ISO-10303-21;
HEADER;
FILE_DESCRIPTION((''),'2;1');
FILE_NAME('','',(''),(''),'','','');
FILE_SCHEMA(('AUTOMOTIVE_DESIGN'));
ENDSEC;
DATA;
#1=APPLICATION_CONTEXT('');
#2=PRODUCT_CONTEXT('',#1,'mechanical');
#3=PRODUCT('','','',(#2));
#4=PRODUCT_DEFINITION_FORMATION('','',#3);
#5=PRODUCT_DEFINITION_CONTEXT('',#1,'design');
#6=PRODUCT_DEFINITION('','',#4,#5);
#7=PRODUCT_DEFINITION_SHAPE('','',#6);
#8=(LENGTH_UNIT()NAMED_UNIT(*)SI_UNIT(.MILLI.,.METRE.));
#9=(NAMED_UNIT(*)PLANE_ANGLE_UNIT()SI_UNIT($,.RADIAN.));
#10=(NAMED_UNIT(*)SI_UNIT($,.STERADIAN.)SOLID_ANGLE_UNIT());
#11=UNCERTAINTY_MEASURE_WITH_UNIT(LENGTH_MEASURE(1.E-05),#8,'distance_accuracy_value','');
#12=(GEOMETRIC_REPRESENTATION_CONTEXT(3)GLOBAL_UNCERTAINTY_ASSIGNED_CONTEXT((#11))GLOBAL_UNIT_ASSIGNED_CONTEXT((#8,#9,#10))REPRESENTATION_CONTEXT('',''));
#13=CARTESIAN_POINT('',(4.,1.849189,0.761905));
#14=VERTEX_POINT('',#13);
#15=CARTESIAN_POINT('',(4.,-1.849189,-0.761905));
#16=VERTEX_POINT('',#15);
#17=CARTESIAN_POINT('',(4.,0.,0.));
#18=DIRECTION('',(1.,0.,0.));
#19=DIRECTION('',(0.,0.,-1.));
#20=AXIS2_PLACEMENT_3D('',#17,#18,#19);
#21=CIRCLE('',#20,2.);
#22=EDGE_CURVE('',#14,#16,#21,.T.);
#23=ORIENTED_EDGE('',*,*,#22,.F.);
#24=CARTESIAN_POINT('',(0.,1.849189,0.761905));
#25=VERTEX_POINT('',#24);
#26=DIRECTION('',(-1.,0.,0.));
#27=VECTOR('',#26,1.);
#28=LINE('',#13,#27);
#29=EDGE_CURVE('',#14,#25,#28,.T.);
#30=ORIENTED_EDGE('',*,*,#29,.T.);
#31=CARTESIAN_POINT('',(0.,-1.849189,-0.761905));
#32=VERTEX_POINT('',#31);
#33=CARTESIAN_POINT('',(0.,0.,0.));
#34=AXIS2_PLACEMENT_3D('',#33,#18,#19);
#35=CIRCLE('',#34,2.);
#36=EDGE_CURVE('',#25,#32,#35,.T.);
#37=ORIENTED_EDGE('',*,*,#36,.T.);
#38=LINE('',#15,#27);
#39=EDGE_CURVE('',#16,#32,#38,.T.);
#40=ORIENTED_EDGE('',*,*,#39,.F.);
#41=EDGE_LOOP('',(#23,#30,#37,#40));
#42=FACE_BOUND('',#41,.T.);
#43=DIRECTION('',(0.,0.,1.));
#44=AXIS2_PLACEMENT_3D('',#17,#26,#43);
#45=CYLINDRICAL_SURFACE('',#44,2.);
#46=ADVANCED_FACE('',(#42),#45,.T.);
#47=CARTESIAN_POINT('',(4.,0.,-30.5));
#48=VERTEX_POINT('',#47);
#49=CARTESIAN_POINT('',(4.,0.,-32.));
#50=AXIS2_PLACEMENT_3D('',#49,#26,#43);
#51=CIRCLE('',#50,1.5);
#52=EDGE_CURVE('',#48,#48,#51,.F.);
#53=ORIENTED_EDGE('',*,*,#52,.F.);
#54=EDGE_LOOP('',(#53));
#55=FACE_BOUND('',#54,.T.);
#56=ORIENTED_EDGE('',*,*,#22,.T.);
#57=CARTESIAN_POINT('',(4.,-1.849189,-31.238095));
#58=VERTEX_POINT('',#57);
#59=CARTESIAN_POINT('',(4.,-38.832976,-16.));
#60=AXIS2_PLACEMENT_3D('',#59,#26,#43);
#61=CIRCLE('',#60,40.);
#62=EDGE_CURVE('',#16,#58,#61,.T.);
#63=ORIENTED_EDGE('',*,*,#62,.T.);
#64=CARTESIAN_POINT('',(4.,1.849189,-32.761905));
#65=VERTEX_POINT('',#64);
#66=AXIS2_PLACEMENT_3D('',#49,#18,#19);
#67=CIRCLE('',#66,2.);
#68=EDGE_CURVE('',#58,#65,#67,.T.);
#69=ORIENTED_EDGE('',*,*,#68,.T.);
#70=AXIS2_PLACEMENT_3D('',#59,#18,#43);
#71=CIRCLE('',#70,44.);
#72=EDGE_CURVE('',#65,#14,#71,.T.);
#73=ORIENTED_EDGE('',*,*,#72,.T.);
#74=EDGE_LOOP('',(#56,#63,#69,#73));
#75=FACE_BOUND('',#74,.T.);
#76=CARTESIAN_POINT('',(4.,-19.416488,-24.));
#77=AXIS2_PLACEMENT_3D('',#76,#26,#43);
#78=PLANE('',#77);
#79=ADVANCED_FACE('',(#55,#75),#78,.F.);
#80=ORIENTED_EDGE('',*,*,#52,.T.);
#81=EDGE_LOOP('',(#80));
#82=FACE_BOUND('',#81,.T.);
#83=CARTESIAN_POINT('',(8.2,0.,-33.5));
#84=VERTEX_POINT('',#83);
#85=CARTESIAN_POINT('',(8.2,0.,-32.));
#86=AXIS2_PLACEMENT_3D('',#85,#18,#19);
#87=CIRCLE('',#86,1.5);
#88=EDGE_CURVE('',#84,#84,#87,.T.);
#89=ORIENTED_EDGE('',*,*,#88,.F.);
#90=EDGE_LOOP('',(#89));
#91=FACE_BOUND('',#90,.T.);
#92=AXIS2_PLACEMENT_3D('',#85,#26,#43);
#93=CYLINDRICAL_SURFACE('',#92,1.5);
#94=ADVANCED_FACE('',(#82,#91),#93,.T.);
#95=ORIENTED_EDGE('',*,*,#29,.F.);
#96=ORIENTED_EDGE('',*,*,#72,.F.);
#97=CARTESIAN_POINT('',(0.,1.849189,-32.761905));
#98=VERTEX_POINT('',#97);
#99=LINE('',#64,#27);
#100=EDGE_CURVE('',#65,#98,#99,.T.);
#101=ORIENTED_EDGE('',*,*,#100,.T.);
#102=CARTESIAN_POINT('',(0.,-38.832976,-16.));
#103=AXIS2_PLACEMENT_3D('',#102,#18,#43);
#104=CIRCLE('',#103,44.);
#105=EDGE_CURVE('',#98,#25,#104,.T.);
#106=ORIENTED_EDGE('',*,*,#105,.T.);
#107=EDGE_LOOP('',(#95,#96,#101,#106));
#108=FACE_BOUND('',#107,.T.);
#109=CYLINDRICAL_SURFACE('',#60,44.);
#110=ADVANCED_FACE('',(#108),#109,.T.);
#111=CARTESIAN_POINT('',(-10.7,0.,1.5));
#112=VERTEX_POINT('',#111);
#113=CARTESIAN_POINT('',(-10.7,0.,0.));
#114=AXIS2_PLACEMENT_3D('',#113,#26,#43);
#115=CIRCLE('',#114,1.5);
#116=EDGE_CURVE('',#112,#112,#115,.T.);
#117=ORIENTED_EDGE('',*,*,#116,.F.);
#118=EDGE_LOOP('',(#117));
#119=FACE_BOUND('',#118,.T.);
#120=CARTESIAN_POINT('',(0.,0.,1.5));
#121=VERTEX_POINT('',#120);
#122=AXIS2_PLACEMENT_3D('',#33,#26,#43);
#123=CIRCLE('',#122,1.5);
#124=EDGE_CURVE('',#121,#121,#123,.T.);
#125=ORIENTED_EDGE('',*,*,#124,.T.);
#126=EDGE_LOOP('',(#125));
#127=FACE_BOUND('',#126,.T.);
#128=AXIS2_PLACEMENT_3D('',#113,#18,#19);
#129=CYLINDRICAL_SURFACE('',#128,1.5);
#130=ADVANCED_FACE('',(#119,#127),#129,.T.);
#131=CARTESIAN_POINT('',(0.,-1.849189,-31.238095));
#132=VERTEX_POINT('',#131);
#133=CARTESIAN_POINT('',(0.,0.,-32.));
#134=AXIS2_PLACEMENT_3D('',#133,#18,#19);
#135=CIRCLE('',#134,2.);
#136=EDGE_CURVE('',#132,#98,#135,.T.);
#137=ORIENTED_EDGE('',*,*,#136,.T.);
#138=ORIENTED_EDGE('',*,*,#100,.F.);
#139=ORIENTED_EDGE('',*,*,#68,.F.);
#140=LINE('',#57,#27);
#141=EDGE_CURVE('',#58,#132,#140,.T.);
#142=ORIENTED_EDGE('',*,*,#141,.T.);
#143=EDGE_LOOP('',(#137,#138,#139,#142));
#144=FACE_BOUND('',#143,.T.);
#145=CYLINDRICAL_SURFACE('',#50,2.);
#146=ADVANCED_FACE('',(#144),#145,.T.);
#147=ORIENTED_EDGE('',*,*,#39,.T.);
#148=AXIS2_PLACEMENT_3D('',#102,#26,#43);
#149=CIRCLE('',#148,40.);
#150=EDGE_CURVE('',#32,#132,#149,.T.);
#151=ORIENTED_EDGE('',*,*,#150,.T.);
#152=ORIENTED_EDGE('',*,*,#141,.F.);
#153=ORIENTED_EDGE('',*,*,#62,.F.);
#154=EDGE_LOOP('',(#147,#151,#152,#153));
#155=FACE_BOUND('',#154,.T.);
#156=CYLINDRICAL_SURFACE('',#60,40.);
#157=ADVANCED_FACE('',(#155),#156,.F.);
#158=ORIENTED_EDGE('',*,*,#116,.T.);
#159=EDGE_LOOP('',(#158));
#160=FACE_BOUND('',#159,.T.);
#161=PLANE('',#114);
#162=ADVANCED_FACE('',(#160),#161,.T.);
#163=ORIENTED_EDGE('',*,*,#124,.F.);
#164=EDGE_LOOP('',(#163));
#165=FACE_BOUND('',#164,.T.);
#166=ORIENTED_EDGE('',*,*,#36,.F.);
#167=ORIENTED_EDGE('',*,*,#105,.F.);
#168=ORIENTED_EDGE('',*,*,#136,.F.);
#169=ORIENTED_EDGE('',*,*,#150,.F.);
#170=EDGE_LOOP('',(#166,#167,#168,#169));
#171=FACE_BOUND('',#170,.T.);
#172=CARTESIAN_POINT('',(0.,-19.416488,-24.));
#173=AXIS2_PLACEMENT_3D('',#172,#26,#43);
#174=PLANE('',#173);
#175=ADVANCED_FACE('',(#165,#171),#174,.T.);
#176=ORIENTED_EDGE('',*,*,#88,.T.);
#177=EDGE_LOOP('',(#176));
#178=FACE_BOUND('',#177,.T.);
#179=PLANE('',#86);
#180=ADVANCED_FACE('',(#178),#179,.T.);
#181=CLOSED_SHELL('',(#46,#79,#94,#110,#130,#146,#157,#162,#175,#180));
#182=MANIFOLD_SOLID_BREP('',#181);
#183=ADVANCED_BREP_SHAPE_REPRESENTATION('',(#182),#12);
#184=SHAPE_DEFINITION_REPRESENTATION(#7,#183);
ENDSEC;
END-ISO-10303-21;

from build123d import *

# Parameters (mm, degrees)
BOSS_EXTRUDE1_DEPTH = 4
SKETCH2_R           = 1.5
BOSS_EXTRUDE2_DEPTH = 4.2
SKETCH3_R           = 1.5
BOSS_EXTRUDE3_DEPTH = 10.7


with BuildPart() as part:
    # Sketch1 → Boss-Extrude1 (new body)
    with BuildSketch(Plane(origin=(0, 0, 0), x_dir=(0, 0, -1), z_dir=(1, 0, 0))):
        with BuildLine():
            ThreePointArc((-0.761904762, 1.849189318), (-1.849189318, -0.761904762), (0.761904762, -1.849189318))
            ThreePointArc((0.761904762, -1.849189318), (16, 1.167024322), (31.238095238, -1.849189318))
            ThreePointArc((31.238095238, -1.849189318), (33.849189318, -0.761904762), (32.761904762, 1.849189318))
            ThreePointArc((32.761904762, 1.849189318), (16, 5.167024322), (-0.761904762, 1.849189318))
        make_face()
    extrude(amount=BOSS_EXTRUDE1_DEPTH)

    # Sketch2 → Boss-Extrude2 (add)
    with BuildSketch(Plane(origin=(4, 0, 0), x_dir=(0, 0, -1), z_dir=(1, 0, 0))):
        with Locations(Location((32, 0, 0), (0, 0, 180))):
            Circle(SKETCH2_R)
    extrude(amount=BOSS_EXTRUDE2_DEPTH)

    # Sketch3 → Boss-Extrude3 (add)
    with BuildSketch(Plane.ZY):
        Circle(SKETCH3_R)
    extrude(amount=BOSS_EXTRUDE3_DEPTH)


solid = part.part
